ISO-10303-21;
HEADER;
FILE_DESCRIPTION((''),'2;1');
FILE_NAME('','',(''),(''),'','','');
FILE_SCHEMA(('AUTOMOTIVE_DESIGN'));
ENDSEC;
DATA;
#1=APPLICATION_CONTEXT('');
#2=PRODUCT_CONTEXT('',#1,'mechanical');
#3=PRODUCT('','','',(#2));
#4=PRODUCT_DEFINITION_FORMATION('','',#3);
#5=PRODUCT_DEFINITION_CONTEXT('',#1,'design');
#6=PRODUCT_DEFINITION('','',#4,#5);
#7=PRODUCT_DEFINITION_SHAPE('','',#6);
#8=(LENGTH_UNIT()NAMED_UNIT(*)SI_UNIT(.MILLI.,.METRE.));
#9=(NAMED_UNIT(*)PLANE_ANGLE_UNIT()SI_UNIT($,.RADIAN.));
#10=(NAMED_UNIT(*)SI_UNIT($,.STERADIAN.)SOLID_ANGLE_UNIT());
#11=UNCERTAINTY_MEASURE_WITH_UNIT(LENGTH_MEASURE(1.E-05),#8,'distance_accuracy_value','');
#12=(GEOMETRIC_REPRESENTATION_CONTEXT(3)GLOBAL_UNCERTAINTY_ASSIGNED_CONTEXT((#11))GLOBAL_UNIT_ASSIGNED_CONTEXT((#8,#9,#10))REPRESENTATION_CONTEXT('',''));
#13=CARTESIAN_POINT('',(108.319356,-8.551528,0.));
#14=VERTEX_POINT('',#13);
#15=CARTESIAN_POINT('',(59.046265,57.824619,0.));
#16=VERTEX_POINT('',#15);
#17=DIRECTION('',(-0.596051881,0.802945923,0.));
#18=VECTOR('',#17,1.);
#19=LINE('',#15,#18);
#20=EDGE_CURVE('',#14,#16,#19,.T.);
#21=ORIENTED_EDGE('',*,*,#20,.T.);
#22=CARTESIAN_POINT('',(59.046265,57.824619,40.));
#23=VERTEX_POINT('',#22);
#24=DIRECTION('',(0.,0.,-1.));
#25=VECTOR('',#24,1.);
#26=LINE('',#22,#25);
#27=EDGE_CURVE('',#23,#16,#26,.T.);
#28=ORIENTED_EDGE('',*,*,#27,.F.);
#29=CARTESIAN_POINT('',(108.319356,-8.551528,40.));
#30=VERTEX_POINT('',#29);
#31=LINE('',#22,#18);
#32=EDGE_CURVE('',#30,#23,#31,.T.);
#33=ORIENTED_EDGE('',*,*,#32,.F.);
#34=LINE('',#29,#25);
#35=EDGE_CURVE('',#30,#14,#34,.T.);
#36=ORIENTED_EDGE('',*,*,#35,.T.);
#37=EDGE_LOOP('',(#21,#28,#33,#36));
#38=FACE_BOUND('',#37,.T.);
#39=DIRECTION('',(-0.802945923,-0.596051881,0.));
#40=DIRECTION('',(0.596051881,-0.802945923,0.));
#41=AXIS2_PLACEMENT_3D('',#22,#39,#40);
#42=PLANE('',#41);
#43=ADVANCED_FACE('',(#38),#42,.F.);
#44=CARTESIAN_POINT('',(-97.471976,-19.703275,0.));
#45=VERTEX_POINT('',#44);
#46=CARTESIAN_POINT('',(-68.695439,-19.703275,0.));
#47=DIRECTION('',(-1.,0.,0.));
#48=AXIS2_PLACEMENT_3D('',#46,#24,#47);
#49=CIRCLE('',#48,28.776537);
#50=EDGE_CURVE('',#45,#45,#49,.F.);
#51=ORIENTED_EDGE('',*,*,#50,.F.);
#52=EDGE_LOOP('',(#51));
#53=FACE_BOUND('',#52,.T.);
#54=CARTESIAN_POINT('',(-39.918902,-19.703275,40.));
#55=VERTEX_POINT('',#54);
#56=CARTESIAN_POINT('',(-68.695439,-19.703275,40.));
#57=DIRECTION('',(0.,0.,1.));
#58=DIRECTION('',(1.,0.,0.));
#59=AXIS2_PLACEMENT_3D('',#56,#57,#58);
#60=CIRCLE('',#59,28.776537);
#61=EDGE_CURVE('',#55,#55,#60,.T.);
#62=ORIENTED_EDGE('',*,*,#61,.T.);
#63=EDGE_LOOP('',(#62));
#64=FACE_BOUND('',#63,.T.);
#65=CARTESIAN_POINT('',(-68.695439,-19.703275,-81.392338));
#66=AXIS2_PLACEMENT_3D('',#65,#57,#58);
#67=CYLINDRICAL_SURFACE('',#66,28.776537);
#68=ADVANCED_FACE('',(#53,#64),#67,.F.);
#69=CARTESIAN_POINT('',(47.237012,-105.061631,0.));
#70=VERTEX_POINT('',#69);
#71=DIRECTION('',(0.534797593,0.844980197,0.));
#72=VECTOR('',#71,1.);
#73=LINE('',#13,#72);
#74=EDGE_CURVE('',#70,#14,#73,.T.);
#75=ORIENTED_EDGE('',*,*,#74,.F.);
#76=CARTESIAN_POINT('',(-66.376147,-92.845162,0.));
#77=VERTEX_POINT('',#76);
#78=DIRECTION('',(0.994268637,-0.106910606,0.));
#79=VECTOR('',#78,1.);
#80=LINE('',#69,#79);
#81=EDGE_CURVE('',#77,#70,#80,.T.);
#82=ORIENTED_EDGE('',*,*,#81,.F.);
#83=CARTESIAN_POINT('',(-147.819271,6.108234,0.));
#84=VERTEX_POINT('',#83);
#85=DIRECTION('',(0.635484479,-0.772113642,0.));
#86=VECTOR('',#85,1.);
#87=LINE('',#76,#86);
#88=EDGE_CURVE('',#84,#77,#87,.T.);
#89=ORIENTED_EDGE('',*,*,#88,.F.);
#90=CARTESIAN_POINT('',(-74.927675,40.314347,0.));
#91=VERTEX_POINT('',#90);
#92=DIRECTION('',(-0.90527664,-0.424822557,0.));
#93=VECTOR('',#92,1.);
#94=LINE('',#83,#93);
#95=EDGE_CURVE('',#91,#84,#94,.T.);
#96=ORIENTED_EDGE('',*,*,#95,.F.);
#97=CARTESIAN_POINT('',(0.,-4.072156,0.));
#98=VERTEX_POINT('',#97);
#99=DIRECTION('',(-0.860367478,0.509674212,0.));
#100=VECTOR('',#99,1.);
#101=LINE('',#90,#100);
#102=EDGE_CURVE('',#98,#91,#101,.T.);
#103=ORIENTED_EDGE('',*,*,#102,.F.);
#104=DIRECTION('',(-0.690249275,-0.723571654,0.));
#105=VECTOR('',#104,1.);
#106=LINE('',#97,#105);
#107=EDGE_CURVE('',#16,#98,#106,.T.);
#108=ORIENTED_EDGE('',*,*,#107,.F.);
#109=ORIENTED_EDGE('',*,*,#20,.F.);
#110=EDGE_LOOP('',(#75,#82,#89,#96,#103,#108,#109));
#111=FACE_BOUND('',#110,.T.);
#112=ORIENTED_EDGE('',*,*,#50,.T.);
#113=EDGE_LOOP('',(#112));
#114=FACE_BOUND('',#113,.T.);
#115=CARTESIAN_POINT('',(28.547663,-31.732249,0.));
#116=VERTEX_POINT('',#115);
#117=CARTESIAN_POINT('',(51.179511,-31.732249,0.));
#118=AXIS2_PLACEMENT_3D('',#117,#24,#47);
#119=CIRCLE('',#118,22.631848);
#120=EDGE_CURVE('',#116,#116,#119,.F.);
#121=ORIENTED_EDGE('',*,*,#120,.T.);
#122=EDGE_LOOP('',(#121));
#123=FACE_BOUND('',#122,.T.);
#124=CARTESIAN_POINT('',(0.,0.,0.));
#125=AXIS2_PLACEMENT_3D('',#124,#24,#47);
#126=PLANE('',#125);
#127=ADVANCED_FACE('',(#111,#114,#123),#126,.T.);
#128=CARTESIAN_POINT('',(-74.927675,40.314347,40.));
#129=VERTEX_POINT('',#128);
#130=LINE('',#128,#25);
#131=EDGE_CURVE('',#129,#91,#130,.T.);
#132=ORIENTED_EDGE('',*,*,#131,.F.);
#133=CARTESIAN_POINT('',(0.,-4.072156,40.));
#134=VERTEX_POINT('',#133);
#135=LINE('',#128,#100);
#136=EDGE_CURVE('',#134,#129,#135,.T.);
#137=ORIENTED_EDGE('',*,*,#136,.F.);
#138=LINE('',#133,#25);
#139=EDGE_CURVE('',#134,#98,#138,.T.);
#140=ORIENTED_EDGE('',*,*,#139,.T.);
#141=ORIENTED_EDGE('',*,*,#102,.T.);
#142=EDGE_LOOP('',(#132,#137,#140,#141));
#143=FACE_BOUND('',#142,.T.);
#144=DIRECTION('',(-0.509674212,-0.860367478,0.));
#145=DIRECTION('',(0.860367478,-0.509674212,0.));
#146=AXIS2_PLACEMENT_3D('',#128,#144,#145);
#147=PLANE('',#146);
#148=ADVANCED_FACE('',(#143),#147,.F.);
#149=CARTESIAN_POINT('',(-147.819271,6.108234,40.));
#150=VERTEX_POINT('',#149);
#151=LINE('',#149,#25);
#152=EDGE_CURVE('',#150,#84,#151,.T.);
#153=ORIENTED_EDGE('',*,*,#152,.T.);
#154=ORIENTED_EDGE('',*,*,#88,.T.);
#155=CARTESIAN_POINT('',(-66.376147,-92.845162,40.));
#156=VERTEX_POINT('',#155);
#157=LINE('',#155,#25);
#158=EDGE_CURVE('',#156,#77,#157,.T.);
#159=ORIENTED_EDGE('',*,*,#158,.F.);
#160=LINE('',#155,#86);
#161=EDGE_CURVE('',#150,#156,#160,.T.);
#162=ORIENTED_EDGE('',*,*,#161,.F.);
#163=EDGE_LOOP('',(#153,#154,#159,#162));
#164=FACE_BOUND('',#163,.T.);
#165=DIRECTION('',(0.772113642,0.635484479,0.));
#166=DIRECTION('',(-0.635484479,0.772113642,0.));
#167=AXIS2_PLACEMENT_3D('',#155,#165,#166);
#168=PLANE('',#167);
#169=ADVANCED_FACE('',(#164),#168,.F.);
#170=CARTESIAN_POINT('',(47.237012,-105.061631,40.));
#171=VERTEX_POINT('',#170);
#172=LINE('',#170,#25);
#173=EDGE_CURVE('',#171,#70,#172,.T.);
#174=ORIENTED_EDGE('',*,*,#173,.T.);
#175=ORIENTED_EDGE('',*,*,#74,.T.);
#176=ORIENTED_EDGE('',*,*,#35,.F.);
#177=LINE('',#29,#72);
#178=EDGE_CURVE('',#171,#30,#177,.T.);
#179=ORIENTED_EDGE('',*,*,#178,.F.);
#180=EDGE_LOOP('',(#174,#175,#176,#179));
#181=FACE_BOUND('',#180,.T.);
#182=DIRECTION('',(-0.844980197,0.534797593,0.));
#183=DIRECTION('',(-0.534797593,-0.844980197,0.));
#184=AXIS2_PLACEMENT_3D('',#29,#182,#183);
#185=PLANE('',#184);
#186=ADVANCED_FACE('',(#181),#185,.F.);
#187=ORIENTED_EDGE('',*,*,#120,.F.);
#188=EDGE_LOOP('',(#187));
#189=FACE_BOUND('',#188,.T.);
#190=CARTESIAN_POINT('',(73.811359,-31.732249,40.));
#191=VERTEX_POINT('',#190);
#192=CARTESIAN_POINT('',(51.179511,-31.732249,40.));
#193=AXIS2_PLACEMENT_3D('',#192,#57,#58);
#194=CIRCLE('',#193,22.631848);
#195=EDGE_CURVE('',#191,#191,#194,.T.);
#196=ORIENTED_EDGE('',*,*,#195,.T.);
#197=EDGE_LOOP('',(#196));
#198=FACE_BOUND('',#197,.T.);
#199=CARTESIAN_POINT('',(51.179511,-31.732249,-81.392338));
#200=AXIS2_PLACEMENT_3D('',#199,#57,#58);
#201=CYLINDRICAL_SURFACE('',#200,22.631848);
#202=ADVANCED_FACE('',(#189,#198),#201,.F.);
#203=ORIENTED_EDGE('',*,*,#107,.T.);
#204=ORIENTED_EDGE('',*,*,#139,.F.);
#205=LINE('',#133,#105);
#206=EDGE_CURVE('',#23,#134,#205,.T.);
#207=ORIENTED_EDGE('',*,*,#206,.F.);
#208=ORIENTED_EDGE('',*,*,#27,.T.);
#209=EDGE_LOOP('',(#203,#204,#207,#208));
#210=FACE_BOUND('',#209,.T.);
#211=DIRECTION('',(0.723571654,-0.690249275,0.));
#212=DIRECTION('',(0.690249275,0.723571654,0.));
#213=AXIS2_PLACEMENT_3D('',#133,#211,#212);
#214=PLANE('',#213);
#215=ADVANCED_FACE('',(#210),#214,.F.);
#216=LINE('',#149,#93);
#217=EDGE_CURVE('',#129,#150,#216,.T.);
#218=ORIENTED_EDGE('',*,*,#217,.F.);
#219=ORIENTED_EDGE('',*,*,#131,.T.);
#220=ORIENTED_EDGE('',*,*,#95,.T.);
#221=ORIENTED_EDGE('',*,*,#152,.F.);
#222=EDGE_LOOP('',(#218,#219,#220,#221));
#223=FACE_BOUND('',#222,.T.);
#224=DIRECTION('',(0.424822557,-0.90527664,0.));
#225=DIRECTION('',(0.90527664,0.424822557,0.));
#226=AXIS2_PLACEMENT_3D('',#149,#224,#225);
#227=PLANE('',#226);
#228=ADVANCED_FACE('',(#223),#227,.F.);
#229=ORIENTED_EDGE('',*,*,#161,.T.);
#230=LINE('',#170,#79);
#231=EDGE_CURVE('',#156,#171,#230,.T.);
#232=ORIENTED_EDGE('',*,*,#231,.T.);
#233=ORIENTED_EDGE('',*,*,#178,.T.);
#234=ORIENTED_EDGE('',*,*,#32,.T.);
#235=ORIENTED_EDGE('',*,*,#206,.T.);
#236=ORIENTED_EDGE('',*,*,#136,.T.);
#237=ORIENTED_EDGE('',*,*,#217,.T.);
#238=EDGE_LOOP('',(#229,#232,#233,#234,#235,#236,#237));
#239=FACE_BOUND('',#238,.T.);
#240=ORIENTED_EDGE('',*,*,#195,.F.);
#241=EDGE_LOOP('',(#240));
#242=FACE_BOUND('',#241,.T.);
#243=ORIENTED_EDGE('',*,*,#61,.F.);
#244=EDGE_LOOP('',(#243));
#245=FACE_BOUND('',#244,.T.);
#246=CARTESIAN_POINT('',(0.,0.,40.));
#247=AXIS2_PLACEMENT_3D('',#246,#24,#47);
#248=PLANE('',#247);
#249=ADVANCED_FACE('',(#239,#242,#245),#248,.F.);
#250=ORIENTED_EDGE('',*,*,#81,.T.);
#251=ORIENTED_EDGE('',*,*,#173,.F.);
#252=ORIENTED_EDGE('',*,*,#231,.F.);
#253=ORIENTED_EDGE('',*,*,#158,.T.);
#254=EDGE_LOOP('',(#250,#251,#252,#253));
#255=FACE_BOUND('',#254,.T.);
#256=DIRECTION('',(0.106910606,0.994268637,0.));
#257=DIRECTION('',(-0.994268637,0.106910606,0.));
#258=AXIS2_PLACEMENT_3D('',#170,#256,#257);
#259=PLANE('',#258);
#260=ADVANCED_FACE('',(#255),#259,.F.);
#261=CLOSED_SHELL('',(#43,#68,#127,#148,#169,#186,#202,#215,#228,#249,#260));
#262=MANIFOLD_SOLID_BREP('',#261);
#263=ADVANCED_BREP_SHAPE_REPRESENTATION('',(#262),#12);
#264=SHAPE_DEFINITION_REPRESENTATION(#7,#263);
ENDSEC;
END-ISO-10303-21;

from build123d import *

# Parameters (mm, degrees)
BOSS_EXTRUDE1_DEPTH = 40
SKETCH2_R           = 22.631847918
SKETCH2_R_2         = 28.776537022
CUT_EXTRUDE2_DEPTH  = 40


with BuildPart() as part:
    # Sketch1 → Boss-Extrude1 (new body)
    with BuildSketch(Plane.XY):
        Polygon((-147.819271396, 6.108234355), (-74.927674757, 40.314346744), (0, -4.072156237), (59.046265434, 57.824618563), (108.319355899, -8.551528097), (47.237012347, -105.061630909), (-66.37614666, -92.845162199), align=None)
    extrude(amount=BOSS_EXTRUDE1_DEPTH)

    # Sketch2 → Cut-Extrude2 (cut)
    with BuildSketch(Plane.XY.offset(40)):
        with Locations((51.179511342, -31.732249283)):
            Circle(SKETCH2_R)
        with Locations((-68.695439343, -19.703274992)):
            Circle(SKETCH2_R_2)
    extrude(amount=-CUT_EXTRUDE2_DEPTH, mode=Mode.SUBTRACT)


solid = part.part
